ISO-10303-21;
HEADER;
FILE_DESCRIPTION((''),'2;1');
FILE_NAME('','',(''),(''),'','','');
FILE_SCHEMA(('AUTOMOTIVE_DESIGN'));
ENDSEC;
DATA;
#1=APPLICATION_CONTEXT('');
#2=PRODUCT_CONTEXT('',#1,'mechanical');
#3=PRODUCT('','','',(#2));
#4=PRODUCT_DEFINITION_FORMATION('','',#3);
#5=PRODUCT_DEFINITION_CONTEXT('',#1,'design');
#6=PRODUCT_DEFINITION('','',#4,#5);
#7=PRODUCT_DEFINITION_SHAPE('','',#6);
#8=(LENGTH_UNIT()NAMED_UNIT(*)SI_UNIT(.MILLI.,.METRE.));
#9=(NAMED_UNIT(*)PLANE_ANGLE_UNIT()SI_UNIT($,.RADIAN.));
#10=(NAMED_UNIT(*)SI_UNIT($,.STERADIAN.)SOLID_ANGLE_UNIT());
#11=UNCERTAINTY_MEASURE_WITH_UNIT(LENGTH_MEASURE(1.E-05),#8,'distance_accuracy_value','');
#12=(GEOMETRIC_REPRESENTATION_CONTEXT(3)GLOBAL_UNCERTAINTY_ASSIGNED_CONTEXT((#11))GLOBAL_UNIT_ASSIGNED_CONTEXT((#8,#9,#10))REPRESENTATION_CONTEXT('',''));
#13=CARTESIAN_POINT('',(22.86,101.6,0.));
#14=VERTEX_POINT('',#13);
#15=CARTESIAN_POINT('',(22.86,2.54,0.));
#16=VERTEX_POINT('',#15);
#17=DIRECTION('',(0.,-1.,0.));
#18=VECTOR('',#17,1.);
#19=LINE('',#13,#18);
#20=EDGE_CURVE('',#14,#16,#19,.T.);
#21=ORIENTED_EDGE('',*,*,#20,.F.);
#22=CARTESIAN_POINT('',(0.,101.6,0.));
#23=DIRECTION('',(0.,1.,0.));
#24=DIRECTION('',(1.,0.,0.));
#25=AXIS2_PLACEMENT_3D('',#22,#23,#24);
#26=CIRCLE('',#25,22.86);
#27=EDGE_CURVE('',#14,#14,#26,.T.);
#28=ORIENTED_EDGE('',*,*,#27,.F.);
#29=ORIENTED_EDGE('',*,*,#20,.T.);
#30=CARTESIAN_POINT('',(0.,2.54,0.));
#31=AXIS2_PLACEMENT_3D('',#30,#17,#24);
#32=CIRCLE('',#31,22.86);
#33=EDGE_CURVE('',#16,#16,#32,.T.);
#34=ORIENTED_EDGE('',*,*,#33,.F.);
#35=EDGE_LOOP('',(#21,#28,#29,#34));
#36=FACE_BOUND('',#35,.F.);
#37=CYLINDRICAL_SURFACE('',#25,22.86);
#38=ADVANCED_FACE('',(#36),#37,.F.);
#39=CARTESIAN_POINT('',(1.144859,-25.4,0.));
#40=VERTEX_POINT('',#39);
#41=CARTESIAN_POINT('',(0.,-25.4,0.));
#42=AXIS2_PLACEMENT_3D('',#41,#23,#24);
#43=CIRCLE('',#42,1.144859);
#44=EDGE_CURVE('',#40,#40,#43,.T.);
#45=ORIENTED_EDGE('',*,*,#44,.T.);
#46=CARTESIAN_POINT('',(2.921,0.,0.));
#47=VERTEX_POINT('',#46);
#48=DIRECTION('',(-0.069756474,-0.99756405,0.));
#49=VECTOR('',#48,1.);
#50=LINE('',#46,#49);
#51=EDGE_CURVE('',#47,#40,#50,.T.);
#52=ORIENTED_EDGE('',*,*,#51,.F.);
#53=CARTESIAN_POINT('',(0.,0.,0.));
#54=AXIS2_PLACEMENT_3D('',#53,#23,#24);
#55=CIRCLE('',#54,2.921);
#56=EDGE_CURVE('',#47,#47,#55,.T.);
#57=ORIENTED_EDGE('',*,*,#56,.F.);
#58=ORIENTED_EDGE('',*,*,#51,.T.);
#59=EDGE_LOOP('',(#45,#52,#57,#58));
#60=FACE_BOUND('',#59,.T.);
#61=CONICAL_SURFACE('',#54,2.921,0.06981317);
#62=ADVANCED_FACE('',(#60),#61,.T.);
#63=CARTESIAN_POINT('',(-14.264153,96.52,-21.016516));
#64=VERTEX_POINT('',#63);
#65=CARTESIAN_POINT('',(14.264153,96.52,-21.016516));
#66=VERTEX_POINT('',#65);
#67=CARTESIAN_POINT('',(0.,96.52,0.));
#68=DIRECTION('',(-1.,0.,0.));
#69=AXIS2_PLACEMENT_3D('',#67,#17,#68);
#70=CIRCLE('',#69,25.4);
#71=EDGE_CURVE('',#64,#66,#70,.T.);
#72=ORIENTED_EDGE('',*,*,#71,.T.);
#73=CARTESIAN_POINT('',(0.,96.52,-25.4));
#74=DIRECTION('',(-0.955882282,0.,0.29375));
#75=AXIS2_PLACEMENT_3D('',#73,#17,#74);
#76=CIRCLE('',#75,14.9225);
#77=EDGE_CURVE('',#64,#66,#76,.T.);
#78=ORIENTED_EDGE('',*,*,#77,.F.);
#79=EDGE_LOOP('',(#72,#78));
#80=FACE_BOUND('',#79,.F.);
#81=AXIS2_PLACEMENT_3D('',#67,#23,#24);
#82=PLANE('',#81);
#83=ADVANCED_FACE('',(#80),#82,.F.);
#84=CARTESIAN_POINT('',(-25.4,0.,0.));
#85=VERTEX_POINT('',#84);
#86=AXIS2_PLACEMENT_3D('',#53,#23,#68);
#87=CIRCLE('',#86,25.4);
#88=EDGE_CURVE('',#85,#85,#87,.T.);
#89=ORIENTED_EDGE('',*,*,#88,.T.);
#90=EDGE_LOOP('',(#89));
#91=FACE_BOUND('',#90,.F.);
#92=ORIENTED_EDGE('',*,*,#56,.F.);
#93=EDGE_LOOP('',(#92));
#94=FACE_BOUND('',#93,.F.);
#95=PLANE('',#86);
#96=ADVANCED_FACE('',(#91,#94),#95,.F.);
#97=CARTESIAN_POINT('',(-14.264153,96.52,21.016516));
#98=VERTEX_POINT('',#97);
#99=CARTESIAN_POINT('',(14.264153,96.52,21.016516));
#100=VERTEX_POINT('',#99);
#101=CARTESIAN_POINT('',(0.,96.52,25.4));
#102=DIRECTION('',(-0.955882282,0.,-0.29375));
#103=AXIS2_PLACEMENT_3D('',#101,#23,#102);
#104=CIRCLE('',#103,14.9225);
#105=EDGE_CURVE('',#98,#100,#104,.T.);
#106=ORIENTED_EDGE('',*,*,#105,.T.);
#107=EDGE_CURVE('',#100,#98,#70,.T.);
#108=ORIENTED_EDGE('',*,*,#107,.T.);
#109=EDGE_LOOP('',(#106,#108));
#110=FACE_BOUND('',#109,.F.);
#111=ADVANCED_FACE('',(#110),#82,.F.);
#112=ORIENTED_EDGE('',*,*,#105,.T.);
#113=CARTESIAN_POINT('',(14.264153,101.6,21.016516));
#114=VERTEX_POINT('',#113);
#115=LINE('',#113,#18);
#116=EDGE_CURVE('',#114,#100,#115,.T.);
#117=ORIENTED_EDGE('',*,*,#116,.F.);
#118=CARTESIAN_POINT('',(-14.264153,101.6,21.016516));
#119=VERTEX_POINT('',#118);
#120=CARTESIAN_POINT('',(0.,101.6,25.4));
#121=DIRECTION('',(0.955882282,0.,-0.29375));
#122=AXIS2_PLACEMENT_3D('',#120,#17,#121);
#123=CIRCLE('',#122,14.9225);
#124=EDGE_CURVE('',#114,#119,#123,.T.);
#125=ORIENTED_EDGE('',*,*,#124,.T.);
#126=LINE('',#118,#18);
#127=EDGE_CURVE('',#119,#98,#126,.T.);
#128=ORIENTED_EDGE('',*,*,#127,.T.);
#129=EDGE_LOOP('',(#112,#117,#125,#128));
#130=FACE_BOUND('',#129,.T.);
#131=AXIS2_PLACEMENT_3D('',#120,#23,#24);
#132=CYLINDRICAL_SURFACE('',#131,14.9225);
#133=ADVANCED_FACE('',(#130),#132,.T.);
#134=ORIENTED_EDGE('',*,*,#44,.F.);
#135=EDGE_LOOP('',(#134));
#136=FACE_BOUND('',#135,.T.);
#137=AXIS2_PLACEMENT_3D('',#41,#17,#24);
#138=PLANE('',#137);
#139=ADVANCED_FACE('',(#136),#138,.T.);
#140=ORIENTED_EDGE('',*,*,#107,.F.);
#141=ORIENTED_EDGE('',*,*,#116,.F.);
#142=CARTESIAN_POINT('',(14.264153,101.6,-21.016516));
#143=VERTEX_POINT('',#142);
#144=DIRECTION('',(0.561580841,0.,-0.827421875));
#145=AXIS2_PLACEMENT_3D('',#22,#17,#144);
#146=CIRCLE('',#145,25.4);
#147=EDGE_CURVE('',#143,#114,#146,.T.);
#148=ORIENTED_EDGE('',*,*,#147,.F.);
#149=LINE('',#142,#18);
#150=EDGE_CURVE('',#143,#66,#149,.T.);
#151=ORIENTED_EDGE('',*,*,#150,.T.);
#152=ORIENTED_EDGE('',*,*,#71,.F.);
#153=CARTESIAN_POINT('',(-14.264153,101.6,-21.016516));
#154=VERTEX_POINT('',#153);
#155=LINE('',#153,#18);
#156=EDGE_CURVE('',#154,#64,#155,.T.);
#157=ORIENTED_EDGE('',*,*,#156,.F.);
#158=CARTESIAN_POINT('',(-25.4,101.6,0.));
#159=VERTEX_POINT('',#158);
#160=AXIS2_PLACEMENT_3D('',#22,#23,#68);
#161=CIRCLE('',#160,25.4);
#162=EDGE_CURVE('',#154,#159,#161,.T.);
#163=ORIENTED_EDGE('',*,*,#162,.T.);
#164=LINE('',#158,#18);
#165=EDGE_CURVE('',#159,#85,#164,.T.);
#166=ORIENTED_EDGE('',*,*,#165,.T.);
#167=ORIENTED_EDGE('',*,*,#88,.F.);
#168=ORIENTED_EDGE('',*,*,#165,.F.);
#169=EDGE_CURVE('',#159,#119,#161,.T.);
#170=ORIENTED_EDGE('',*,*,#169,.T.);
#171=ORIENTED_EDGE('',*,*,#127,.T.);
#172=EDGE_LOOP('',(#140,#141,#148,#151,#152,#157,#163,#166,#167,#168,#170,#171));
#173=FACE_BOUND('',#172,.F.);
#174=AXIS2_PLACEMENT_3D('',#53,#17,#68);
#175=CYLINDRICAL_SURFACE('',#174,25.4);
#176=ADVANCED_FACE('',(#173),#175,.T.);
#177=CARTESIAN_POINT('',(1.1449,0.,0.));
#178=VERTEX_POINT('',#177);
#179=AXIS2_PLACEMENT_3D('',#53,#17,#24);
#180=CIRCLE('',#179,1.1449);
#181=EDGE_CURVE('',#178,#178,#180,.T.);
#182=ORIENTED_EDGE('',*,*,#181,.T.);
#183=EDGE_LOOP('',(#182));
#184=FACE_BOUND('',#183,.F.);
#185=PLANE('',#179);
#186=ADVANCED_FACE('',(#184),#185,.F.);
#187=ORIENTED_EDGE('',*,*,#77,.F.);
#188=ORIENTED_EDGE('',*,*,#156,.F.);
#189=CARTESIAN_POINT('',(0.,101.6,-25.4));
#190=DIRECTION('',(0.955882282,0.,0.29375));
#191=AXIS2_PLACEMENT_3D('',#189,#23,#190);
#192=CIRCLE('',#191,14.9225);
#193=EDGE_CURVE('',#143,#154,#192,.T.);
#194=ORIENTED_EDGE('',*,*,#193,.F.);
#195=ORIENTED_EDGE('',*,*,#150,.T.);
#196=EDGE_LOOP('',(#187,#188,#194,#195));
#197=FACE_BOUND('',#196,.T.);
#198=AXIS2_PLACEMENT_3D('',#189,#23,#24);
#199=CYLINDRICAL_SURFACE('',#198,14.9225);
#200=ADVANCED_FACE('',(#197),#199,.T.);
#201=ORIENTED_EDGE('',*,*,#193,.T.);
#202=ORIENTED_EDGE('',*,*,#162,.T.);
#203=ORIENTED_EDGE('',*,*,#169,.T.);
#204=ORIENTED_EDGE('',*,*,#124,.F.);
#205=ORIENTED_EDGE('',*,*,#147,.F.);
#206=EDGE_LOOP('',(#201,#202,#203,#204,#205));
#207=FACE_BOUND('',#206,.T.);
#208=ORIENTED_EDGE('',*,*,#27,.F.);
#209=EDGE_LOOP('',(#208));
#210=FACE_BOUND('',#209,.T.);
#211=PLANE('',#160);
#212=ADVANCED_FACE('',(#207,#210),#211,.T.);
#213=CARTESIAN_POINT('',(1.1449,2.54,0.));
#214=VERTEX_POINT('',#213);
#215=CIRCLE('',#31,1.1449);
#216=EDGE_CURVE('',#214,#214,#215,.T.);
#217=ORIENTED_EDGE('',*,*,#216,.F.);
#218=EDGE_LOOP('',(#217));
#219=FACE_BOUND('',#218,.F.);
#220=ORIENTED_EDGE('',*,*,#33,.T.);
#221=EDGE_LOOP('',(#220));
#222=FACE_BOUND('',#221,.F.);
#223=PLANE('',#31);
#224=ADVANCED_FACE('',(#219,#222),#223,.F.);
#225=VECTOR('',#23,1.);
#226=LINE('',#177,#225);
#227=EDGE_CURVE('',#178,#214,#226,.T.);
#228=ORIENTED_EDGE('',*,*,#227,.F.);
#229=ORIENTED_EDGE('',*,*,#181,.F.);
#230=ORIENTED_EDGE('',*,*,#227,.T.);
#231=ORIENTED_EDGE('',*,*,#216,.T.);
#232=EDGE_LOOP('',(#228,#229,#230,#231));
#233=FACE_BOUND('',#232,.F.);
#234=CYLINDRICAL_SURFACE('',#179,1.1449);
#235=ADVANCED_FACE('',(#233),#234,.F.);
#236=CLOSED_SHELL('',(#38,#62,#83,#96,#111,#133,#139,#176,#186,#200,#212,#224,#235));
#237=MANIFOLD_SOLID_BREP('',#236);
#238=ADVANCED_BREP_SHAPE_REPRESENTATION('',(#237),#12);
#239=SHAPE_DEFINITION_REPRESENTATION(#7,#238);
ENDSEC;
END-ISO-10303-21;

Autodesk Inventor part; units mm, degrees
ref_plane "YZ Plane" through (0, 0, 0) normal (1, 0, 0) x (0, 1, 0)
ref_plane "XZ Plane" through (0, 0, 0) normal (0, 1, 0) x (-1, 0, 0)
ref_plane "XY Plane" through (0, 0, 0) normal (0, 0, 1) x (1, 0, 0)
sketch "Sketch1" plane through (0, 0, 0) normal (0, 1, 0) x (-1, 0, 0)
  circle A0 centre (0, 0) radius 25.4
  dimension "d0" = 50.8
extrude "Extrusion1" add sketch "Sketch1" along normal blind 101.6
sketch "Sketch2" plane through (0, 101.6, 0) normal (0, 1, 0) x (1, 0, 0)
  circle A0 centre (0, 0) radius 25.4 projected
  circle A1 centre (0, -25.4) radius 14.9225
  circle A2 centre (0, 25.4) radius 14.9225
  dimension "d3" = 29.845
  dimension "d4" = 29.845
extrude "Extrusion2" add sketch "Sketch2" against normal blind 5.08
sketch "Sketch3" plane through (0, 101.6, 0) normal (0, 1, 0) x (1, 0, 0)
  circle A0 centre (0, 0) radius 22.86
  dimension "d7" = 45.72
extrude "Extrusion3" cut sketch "Sketch3" against normal blind 195.072
sketch "Sketch4" plane through (0, 0, 0) normal (0, -1, 0) x (1, 0, 0)
  circle A0 centre (0, 0) radius 2.921
  dimension "d10" = 5.842
extrude "Extrusion4" add sketch "Sketch4" along normal blind 25.4 draft -4
sketch "Sketch5" plane through (0, 0, 0) normal (0, -1, 0) x (1, 0, 0)
  circle A0 centre (0, 0) radius 1.1449 projected
  circle A1 centre (0, 0) radius 22.86
extrude "Extrusion5" add sketch "Sketch5" against normal blind 2.54
properties part number "ReducedLargeSyrgine"
